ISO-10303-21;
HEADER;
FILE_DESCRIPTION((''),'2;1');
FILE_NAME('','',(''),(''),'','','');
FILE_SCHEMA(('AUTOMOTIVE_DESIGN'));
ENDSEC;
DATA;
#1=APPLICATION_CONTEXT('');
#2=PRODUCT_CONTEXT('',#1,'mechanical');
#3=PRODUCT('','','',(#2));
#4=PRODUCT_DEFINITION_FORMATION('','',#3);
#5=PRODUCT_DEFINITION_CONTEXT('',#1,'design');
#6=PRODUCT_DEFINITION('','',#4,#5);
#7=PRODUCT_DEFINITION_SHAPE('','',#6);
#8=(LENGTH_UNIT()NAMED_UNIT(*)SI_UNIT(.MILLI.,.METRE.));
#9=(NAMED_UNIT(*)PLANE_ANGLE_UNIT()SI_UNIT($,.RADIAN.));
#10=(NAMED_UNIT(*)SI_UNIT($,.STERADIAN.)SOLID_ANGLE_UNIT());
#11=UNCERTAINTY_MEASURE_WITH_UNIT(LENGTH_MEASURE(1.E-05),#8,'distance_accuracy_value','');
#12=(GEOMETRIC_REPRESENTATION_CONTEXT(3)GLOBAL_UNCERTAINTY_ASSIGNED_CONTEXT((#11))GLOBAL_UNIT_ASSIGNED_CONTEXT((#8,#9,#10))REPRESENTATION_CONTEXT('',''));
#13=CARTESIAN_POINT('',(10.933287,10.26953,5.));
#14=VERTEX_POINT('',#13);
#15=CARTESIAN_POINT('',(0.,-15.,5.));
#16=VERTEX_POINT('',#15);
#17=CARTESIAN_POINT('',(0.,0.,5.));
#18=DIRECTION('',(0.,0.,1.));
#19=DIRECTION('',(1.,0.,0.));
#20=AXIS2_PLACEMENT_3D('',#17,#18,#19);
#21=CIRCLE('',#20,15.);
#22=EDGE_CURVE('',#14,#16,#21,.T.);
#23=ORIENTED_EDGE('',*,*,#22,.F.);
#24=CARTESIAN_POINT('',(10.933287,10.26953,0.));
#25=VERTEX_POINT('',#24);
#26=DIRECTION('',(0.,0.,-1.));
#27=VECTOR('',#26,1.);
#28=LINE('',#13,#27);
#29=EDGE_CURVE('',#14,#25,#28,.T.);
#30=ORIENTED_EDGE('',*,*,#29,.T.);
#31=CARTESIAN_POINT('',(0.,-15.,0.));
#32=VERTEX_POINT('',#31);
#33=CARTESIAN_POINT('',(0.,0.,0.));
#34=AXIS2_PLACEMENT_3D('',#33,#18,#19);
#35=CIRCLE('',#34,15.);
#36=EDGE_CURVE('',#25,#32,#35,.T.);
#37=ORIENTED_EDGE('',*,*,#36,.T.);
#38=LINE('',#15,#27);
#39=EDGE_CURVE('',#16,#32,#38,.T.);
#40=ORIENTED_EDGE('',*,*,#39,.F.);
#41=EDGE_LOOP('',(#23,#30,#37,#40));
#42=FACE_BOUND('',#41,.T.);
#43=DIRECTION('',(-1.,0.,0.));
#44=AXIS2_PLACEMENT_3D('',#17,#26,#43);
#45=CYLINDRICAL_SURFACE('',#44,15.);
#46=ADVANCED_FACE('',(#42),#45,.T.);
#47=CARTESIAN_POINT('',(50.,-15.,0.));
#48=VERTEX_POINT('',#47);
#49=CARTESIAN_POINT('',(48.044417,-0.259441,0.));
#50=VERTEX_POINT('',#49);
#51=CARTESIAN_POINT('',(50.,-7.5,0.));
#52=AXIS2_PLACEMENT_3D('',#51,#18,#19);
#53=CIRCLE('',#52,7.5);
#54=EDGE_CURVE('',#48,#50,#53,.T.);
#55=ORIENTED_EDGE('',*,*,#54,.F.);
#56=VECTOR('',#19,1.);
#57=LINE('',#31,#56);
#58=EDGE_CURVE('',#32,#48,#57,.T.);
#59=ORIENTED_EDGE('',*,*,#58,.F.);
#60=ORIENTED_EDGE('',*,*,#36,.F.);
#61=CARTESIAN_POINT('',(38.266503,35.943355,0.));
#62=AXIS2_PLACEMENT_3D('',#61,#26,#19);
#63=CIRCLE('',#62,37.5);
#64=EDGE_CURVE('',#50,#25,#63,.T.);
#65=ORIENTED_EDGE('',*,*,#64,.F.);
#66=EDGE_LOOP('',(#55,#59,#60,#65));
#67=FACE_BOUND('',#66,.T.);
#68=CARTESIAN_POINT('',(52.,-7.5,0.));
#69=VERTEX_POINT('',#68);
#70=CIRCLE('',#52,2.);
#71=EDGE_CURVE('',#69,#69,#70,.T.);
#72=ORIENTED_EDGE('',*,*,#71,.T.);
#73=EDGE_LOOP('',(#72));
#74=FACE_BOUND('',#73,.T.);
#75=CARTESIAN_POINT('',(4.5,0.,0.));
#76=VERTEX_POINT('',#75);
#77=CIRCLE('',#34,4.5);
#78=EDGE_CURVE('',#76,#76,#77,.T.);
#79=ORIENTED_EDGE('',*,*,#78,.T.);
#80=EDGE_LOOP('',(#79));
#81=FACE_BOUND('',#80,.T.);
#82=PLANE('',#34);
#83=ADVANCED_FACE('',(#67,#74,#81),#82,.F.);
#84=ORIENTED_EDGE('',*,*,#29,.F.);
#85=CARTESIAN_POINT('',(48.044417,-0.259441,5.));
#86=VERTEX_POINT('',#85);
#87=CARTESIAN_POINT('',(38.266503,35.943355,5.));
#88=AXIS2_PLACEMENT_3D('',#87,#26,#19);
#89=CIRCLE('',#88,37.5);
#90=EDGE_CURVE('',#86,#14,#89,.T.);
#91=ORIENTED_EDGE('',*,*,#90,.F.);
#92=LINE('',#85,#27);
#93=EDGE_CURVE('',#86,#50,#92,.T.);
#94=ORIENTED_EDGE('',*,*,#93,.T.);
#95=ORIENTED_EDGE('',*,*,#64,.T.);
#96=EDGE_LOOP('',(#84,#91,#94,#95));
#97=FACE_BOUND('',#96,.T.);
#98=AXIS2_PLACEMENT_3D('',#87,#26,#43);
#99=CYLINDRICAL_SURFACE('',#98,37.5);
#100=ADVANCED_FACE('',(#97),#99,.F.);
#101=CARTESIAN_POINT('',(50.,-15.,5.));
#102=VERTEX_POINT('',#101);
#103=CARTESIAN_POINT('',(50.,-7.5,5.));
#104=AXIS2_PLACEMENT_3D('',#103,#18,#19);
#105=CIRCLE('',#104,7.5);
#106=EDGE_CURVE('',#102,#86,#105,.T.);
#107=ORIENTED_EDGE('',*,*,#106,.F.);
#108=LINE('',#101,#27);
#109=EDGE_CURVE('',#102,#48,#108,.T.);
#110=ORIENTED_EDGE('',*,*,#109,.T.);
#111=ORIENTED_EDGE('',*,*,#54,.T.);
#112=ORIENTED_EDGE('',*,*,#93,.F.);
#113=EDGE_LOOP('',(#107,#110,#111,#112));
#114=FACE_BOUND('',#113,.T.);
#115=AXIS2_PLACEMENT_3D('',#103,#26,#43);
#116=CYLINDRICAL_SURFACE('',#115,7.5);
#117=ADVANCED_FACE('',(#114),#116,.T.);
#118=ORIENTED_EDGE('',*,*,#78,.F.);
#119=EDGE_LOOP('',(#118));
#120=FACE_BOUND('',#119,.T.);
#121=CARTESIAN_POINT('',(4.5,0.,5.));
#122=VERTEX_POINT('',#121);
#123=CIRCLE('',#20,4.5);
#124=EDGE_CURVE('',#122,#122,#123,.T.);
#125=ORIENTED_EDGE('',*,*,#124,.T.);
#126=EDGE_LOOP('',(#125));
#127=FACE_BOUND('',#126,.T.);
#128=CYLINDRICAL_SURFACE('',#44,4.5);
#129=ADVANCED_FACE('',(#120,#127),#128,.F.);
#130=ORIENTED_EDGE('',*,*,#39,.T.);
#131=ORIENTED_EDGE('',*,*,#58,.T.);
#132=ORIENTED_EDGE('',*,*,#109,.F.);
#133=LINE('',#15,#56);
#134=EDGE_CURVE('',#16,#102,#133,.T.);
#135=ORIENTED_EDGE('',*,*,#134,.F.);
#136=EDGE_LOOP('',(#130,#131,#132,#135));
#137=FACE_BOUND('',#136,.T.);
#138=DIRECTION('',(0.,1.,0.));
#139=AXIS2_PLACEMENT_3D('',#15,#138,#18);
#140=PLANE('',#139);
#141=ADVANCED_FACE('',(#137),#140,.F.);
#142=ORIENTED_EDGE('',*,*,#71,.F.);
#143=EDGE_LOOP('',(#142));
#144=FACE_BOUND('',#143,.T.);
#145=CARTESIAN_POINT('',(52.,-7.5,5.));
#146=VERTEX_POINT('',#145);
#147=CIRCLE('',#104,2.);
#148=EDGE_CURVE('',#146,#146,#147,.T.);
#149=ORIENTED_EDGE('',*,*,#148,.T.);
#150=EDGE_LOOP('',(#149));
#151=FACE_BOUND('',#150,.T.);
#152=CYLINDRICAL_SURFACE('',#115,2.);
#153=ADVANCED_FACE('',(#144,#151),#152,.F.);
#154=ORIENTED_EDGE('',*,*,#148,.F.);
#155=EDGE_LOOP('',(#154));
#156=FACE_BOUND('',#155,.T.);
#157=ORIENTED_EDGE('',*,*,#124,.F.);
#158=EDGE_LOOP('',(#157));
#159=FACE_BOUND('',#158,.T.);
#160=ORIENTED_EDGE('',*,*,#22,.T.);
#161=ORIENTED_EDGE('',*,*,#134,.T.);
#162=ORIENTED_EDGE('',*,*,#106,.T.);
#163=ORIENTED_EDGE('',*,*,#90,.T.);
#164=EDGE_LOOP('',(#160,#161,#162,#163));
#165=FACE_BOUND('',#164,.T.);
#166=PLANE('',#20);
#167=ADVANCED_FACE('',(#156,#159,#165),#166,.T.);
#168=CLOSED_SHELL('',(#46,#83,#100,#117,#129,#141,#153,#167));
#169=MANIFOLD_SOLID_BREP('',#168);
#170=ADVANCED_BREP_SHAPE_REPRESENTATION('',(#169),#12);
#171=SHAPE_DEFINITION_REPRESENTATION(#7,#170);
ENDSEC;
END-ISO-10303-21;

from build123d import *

# Parameters (mm, degrees)
SCHIZZO1_R                   = 4.5
SCHIZZO1_R_2                 = 2
ESTRUSIONE_ESTRUSIONE1_DEPTH = 5


with BuildPart() as part:
    # Schizzo1 → Estrusione-Estrusione1 (new body)
    with BuildSketch(Plane.XY):
        with BuildLine():
            Line((0, -15), (50, -15))
            ThreePointArc((50, -15), (57.434856863, -6.513641332), (48.044417196, -0.259440913))
            ThreePointArc((48.044417196, -0.259440913), (28.031173765, -0.132787617), (10.933286622, 10.269529864))
            ThreePointArc((10.933286622, 10.269529864), (-13.766679846, 5.956385315), (0, -15))
        make_face()
        Circle(SCHIZZO1_R, mode=Mode.SUBTRACT)
        with Locations((50, -7.5)):
            Circle(SCHIZZO1_R_2, mode=Mode.SUBTRACT)
    extrude(amount=ESTRUSIONE_ESTRUSIONE1_DEPTH)


solid = part.part
